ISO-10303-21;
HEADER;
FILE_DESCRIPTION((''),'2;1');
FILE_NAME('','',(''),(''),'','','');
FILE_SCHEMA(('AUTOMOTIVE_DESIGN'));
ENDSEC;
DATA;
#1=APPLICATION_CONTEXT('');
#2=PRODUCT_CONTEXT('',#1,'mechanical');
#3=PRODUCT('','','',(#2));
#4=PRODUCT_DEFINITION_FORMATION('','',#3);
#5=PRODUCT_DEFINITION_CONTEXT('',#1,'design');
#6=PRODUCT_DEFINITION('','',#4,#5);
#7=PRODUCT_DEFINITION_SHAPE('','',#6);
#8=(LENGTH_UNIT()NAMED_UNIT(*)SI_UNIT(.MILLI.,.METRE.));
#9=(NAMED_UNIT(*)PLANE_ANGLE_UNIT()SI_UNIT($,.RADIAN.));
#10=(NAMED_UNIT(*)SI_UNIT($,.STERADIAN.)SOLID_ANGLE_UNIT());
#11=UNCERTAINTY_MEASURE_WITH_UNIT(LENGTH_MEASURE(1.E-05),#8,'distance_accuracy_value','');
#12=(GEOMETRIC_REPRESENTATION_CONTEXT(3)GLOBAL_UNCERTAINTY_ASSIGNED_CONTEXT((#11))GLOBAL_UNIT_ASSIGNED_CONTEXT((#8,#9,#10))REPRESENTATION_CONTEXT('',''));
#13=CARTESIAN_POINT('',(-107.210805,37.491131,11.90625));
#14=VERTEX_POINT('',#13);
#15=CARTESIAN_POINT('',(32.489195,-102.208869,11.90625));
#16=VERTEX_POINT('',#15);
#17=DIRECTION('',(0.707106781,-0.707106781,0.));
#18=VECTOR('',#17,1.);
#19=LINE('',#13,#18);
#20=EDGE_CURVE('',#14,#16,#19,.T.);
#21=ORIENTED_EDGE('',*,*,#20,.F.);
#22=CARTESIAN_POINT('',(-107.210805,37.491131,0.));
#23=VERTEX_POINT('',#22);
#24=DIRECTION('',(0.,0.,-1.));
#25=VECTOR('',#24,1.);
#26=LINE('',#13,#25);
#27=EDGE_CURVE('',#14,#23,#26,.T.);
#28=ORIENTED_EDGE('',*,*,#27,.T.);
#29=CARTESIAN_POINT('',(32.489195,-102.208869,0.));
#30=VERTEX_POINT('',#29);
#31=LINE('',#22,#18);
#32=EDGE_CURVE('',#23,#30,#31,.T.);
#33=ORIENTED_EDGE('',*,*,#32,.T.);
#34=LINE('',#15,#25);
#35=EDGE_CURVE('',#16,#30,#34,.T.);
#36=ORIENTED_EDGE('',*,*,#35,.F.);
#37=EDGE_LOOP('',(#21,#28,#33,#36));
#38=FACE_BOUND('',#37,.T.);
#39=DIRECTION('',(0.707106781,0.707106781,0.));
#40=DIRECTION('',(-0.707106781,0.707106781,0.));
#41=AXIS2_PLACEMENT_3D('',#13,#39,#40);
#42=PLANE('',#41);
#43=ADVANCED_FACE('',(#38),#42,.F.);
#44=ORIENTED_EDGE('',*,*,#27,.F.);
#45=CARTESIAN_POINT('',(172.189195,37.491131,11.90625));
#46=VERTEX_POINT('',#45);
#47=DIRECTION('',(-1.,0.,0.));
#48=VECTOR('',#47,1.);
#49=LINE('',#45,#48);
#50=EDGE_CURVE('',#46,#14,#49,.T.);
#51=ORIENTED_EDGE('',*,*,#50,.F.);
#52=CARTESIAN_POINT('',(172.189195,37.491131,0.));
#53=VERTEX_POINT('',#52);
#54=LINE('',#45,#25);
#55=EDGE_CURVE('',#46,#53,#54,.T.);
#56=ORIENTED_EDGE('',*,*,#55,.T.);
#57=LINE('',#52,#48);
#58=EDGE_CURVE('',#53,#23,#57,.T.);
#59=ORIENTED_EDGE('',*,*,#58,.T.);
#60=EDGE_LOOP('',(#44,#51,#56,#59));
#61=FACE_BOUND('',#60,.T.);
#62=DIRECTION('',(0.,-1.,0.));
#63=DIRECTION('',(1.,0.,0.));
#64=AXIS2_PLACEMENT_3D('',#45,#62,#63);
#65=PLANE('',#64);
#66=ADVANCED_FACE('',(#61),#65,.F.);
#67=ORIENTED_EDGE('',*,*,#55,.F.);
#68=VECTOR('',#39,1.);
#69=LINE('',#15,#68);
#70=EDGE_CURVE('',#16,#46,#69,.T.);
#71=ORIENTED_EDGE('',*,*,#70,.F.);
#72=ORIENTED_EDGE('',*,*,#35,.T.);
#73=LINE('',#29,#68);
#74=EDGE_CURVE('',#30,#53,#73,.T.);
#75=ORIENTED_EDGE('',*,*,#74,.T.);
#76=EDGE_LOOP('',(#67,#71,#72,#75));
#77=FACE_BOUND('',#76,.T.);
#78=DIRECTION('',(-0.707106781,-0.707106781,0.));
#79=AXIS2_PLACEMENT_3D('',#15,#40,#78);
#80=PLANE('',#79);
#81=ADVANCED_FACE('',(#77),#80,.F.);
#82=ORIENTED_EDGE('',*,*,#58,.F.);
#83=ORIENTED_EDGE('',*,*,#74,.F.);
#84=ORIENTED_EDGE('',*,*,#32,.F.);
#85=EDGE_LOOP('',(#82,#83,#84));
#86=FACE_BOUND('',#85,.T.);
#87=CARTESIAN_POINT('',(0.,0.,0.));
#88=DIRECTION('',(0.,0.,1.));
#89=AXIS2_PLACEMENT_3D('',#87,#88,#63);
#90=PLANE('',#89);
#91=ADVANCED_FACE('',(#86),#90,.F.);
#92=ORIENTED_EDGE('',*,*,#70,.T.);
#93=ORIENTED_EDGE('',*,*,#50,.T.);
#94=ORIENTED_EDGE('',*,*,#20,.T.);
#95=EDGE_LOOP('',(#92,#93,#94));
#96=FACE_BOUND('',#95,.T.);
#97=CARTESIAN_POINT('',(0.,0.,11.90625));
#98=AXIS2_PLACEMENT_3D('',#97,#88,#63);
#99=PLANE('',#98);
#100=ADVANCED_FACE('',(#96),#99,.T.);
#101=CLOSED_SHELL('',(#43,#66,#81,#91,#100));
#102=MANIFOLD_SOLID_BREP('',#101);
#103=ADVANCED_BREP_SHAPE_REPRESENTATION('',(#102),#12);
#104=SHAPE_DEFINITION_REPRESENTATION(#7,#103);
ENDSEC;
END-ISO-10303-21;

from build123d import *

# Parameters (mm, degrees)
BOSS_EXTRUDE1_DEPTH = 11.90625


with BuildPart() as part:
    # Sketch1 → Boss-Extrude1 (new body)
    with BuildSketch(Plane.XY):
        Polygon((-107.210805256, 37.491131162), (32.489194744, -102.208868838), (172.189194744, 37.491131162), align=None)
    extrude(amount=BOSS_EXTRUDE1_DEPTH)


solid = part.part
